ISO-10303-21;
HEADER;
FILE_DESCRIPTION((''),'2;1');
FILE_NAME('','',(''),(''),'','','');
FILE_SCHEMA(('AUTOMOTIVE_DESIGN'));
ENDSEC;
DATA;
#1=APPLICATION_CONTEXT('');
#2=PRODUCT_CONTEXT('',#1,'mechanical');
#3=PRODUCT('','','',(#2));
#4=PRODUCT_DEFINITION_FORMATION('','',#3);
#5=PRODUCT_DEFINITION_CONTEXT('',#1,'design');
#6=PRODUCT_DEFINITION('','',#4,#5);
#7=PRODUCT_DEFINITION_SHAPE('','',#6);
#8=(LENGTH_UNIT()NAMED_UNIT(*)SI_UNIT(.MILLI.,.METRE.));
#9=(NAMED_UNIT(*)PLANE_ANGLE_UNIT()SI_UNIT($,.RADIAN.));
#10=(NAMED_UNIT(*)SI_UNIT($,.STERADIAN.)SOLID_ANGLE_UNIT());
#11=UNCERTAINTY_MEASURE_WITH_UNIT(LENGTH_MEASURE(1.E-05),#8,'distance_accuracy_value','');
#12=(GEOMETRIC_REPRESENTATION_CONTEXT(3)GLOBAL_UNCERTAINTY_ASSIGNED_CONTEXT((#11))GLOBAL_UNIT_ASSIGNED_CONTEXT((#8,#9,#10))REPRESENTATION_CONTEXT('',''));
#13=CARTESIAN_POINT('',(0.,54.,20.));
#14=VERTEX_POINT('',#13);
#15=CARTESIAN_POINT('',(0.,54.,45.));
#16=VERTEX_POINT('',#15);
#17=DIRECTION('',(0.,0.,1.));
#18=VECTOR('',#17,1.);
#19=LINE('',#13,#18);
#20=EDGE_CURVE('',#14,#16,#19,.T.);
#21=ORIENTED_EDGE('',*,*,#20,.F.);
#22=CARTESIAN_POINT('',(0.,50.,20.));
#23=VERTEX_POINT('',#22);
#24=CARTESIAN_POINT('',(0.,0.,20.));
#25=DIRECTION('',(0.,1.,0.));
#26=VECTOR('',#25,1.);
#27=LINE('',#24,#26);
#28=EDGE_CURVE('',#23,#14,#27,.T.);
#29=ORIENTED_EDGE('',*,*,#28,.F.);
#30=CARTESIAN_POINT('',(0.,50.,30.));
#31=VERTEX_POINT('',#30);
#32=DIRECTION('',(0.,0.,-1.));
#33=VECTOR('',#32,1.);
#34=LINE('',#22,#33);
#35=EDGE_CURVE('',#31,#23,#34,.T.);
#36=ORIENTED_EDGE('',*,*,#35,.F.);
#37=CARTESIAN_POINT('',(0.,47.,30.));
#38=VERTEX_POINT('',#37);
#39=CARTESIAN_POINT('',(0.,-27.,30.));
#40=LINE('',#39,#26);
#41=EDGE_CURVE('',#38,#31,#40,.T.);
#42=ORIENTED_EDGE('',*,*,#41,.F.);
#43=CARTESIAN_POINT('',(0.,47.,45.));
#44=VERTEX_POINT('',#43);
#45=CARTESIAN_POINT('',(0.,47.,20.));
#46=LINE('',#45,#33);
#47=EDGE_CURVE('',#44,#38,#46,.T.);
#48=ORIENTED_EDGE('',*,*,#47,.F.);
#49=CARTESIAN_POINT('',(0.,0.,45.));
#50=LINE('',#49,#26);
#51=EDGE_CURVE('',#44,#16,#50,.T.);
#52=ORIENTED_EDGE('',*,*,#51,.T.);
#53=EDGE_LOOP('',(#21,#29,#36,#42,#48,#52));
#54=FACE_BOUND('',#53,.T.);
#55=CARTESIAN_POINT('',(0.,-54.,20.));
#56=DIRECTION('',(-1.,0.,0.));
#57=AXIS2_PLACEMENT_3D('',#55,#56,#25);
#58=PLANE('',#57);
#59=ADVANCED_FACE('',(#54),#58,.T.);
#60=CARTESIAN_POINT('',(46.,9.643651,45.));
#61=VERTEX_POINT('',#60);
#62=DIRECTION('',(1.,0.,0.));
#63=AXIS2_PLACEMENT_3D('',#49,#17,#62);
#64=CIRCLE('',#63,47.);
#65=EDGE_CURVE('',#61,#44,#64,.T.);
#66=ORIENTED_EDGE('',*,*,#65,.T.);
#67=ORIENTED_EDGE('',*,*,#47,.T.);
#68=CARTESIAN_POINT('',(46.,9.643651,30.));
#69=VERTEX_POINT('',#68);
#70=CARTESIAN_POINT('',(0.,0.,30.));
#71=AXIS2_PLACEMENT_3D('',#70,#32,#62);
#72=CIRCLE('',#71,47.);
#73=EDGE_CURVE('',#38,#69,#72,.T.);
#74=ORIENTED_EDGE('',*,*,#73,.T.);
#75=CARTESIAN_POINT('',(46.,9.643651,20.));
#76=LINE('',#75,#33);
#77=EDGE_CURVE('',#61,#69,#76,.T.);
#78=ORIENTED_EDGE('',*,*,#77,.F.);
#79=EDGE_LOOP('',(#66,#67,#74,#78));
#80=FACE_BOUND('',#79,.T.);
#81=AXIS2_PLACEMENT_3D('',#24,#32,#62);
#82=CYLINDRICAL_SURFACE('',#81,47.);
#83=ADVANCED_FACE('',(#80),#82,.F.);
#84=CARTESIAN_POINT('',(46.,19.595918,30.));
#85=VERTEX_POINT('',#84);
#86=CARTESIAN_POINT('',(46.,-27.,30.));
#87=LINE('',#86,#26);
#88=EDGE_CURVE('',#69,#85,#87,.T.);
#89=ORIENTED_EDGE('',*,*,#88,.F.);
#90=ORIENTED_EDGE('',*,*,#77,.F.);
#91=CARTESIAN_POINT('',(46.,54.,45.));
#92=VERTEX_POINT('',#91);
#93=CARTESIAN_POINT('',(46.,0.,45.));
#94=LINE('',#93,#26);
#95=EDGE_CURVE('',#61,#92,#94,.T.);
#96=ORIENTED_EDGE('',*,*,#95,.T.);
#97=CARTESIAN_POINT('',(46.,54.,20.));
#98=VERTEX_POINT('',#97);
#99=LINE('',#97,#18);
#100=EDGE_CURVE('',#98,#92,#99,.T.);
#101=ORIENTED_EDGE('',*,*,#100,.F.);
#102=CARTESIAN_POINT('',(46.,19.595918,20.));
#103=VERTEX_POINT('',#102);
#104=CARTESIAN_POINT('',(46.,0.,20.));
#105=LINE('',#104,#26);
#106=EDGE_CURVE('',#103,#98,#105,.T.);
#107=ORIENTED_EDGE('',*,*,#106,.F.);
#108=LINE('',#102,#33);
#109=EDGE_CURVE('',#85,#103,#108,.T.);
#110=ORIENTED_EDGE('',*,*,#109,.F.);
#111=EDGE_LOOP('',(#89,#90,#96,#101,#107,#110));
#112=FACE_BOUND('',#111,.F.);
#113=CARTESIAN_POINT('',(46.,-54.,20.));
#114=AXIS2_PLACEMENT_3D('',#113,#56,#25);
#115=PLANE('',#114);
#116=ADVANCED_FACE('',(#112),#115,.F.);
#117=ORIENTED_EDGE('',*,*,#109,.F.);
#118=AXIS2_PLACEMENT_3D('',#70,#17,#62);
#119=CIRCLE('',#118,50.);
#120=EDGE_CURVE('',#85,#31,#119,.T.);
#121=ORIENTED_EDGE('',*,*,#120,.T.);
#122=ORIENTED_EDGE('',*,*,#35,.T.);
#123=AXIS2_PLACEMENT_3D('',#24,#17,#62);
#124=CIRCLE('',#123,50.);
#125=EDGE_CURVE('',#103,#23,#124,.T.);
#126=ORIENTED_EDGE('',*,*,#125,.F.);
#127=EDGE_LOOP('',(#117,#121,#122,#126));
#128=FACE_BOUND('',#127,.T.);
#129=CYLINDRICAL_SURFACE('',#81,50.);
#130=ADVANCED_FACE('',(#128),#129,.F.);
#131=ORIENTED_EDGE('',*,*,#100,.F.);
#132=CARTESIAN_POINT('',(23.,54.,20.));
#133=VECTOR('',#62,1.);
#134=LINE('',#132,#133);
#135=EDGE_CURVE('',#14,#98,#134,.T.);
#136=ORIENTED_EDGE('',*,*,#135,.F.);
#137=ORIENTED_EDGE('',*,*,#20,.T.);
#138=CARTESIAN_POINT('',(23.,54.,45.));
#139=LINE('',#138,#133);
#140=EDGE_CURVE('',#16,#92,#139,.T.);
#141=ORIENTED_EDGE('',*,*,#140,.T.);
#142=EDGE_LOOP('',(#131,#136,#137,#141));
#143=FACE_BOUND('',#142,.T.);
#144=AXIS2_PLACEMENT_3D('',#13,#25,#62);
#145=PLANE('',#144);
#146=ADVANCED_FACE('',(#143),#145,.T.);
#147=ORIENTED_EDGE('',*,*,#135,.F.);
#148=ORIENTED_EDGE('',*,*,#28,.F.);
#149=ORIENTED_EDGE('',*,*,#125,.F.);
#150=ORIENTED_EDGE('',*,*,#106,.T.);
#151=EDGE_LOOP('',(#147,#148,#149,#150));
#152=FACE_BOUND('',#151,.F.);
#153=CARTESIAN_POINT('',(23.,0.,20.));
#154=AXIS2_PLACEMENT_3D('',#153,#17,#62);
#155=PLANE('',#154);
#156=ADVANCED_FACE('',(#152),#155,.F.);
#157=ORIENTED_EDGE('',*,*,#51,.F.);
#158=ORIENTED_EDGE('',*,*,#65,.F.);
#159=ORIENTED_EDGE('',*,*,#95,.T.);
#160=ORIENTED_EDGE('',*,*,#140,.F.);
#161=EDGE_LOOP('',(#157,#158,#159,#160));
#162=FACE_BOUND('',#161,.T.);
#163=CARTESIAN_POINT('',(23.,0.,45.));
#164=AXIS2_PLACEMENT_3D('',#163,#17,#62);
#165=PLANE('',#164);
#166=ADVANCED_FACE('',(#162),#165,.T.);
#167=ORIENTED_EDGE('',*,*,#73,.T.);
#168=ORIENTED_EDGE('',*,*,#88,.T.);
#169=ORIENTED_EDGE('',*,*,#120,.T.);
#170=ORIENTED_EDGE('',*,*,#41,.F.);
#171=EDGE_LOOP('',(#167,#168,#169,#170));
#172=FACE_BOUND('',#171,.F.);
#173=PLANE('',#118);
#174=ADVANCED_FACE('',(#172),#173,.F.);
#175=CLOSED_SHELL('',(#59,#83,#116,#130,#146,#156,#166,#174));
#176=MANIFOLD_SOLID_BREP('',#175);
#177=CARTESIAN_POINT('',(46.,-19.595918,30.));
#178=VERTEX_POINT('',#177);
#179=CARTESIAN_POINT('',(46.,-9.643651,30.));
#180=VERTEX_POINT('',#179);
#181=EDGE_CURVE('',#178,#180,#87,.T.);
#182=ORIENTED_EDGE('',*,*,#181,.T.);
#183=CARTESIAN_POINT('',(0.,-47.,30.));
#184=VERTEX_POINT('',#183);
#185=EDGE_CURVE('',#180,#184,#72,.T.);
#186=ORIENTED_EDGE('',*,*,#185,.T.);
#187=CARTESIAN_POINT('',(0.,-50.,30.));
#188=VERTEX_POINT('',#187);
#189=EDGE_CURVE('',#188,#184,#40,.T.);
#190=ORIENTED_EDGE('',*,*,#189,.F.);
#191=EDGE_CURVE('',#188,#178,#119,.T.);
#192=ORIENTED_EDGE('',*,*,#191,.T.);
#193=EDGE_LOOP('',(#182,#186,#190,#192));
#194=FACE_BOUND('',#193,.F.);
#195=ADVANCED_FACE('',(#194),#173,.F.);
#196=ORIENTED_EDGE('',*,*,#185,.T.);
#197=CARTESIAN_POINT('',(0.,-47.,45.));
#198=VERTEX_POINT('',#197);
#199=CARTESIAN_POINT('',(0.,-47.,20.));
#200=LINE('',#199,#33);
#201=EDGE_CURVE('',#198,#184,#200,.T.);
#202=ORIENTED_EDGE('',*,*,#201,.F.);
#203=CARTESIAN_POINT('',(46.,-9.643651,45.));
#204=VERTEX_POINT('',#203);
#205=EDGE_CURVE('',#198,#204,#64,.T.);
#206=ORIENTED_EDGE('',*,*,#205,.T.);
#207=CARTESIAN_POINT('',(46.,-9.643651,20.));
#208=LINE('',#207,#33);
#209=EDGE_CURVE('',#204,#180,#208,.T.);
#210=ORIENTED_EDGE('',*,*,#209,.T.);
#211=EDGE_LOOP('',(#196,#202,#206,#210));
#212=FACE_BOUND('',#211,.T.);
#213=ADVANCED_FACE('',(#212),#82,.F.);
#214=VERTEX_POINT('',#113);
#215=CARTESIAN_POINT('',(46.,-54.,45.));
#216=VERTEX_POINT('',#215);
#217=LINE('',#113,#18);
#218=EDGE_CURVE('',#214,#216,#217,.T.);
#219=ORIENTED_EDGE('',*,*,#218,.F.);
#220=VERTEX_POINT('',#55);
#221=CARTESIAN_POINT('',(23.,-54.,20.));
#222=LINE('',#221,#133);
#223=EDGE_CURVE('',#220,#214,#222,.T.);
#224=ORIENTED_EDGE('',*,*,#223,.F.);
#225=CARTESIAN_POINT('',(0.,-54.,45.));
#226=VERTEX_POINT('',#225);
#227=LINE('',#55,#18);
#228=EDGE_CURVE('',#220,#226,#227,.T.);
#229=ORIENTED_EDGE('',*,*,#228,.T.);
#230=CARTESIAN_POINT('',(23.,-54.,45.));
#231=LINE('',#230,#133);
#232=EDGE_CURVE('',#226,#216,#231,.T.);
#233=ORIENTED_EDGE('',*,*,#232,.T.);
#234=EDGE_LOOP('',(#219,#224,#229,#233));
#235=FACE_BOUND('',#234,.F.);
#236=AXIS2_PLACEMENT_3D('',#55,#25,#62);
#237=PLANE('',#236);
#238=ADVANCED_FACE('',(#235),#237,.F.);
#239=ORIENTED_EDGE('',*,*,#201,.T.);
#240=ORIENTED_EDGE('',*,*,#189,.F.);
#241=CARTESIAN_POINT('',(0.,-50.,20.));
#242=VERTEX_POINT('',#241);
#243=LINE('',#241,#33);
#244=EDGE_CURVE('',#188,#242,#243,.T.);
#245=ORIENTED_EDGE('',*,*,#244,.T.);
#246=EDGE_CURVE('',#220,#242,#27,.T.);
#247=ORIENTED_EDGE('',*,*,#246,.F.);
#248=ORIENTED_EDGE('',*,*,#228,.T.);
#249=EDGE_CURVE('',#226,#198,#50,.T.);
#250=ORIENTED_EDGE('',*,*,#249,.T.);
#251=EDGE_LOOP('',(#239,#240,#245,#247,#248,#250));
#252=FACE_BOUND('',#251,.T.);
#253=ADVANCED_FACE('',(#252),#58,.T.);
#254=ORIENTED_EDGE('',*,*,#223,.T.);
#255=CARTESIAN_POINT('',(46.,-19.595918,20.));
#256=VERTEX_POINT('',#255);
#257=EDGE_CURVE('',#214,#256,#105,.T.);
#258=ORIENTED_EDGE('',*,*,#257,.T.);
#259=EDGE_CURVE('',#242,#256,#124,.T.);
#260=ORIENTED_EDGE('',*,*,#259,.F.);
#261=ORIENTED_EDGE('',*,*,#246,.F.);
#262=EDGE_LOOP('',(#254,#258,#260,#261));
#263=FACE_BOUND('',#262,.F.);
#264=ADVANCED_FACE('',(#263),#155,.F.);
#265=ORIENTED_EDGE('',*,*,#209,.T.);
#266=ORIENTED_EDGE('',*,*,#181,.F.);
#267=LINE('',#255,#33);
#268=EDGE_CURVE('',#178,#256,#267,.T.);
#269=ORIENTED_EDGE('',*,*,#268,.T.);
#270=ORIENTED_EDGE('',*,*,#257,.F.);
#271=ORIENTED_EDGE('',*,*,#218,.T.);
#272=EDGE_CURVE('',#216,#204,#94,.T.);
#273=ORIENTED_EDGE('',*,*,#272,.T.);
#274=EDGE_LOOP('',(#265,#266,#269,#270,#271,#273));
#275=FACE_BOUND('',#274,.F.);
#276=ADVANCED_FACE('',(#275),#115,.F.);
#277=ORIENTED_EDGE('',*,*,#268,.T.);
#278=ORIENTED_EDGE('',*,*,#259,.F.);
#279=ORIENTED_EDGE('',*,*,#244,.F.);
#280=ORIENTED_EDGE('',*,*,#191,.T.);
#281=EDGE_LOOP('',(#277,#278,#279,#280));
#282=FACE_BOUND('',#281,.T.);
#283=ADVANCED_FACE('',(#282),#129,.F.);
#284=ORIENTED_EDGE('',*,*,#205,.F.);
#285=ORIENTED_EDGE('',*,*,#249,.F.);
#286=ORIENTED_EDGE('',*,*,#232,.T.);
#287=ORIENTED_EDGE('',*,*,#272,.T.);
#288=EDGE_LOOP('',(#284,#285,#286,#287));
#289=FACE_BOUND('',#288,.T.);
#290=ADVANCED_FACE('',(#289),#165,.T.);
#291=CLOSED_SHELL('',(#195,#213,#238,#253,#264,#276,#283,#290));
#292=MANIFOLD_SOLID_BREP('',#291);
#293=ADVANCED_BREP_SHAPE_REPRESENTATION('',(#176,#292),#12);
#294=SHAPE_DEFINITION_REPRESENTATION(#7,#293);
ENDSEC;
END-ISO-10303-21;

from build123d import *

# Parameters (mm, degrees)
TUBE110_R          = 50
TUBE110_R_2        = 40
TUBE110_DEPTH      = 10
CYLINDER1173_R     = 47
CYLINDER1173_DEPTH = 25
BOX480_W           = 46
BOX480_H           = 108
BOX480_DEPTH       = 25


with BuildPart() as tube110:
    # Tube110 → Tube110 (new body)
    with BuildSketch(Plane.XY.offset(20)):
        Circle(TUBE110_R)
        Circle(TUBE110_R_2, mode=Mode.SUBTRACT)
    extrude(amount=TUBE110_DEPTH)


with BuildPart() as v_lec1173:
    # Cylinder1173 → Cylinder1173 (new body)
    with BuildSketch(Plane.XY.offset(20)):
        Circle(CYLINDER1173_R)
    extrude(amount=CYLINDER1173_DEPTH)


with BuildPart() as cut436:
    # Box480 → Box480 (new body)
    with BuildSketch(Plane(origin=(0, -54, 20), x_dir=(1, 0, 0), z_dir=(0, 0, 1))):
        with Locations((23, 54)):
            Rectangle(BOX480_W, BOX480_H)
    extrude(amount=BOX480_DEPTH)

    # Cut435: cut Válec1173
    add(v_lec1173.part, mode=Mode.SUBTRACT)

    # Cut436: cut Tube110
    add(tube110.part, mode=Mode.SUBTRACT)


solid = cut436.part
